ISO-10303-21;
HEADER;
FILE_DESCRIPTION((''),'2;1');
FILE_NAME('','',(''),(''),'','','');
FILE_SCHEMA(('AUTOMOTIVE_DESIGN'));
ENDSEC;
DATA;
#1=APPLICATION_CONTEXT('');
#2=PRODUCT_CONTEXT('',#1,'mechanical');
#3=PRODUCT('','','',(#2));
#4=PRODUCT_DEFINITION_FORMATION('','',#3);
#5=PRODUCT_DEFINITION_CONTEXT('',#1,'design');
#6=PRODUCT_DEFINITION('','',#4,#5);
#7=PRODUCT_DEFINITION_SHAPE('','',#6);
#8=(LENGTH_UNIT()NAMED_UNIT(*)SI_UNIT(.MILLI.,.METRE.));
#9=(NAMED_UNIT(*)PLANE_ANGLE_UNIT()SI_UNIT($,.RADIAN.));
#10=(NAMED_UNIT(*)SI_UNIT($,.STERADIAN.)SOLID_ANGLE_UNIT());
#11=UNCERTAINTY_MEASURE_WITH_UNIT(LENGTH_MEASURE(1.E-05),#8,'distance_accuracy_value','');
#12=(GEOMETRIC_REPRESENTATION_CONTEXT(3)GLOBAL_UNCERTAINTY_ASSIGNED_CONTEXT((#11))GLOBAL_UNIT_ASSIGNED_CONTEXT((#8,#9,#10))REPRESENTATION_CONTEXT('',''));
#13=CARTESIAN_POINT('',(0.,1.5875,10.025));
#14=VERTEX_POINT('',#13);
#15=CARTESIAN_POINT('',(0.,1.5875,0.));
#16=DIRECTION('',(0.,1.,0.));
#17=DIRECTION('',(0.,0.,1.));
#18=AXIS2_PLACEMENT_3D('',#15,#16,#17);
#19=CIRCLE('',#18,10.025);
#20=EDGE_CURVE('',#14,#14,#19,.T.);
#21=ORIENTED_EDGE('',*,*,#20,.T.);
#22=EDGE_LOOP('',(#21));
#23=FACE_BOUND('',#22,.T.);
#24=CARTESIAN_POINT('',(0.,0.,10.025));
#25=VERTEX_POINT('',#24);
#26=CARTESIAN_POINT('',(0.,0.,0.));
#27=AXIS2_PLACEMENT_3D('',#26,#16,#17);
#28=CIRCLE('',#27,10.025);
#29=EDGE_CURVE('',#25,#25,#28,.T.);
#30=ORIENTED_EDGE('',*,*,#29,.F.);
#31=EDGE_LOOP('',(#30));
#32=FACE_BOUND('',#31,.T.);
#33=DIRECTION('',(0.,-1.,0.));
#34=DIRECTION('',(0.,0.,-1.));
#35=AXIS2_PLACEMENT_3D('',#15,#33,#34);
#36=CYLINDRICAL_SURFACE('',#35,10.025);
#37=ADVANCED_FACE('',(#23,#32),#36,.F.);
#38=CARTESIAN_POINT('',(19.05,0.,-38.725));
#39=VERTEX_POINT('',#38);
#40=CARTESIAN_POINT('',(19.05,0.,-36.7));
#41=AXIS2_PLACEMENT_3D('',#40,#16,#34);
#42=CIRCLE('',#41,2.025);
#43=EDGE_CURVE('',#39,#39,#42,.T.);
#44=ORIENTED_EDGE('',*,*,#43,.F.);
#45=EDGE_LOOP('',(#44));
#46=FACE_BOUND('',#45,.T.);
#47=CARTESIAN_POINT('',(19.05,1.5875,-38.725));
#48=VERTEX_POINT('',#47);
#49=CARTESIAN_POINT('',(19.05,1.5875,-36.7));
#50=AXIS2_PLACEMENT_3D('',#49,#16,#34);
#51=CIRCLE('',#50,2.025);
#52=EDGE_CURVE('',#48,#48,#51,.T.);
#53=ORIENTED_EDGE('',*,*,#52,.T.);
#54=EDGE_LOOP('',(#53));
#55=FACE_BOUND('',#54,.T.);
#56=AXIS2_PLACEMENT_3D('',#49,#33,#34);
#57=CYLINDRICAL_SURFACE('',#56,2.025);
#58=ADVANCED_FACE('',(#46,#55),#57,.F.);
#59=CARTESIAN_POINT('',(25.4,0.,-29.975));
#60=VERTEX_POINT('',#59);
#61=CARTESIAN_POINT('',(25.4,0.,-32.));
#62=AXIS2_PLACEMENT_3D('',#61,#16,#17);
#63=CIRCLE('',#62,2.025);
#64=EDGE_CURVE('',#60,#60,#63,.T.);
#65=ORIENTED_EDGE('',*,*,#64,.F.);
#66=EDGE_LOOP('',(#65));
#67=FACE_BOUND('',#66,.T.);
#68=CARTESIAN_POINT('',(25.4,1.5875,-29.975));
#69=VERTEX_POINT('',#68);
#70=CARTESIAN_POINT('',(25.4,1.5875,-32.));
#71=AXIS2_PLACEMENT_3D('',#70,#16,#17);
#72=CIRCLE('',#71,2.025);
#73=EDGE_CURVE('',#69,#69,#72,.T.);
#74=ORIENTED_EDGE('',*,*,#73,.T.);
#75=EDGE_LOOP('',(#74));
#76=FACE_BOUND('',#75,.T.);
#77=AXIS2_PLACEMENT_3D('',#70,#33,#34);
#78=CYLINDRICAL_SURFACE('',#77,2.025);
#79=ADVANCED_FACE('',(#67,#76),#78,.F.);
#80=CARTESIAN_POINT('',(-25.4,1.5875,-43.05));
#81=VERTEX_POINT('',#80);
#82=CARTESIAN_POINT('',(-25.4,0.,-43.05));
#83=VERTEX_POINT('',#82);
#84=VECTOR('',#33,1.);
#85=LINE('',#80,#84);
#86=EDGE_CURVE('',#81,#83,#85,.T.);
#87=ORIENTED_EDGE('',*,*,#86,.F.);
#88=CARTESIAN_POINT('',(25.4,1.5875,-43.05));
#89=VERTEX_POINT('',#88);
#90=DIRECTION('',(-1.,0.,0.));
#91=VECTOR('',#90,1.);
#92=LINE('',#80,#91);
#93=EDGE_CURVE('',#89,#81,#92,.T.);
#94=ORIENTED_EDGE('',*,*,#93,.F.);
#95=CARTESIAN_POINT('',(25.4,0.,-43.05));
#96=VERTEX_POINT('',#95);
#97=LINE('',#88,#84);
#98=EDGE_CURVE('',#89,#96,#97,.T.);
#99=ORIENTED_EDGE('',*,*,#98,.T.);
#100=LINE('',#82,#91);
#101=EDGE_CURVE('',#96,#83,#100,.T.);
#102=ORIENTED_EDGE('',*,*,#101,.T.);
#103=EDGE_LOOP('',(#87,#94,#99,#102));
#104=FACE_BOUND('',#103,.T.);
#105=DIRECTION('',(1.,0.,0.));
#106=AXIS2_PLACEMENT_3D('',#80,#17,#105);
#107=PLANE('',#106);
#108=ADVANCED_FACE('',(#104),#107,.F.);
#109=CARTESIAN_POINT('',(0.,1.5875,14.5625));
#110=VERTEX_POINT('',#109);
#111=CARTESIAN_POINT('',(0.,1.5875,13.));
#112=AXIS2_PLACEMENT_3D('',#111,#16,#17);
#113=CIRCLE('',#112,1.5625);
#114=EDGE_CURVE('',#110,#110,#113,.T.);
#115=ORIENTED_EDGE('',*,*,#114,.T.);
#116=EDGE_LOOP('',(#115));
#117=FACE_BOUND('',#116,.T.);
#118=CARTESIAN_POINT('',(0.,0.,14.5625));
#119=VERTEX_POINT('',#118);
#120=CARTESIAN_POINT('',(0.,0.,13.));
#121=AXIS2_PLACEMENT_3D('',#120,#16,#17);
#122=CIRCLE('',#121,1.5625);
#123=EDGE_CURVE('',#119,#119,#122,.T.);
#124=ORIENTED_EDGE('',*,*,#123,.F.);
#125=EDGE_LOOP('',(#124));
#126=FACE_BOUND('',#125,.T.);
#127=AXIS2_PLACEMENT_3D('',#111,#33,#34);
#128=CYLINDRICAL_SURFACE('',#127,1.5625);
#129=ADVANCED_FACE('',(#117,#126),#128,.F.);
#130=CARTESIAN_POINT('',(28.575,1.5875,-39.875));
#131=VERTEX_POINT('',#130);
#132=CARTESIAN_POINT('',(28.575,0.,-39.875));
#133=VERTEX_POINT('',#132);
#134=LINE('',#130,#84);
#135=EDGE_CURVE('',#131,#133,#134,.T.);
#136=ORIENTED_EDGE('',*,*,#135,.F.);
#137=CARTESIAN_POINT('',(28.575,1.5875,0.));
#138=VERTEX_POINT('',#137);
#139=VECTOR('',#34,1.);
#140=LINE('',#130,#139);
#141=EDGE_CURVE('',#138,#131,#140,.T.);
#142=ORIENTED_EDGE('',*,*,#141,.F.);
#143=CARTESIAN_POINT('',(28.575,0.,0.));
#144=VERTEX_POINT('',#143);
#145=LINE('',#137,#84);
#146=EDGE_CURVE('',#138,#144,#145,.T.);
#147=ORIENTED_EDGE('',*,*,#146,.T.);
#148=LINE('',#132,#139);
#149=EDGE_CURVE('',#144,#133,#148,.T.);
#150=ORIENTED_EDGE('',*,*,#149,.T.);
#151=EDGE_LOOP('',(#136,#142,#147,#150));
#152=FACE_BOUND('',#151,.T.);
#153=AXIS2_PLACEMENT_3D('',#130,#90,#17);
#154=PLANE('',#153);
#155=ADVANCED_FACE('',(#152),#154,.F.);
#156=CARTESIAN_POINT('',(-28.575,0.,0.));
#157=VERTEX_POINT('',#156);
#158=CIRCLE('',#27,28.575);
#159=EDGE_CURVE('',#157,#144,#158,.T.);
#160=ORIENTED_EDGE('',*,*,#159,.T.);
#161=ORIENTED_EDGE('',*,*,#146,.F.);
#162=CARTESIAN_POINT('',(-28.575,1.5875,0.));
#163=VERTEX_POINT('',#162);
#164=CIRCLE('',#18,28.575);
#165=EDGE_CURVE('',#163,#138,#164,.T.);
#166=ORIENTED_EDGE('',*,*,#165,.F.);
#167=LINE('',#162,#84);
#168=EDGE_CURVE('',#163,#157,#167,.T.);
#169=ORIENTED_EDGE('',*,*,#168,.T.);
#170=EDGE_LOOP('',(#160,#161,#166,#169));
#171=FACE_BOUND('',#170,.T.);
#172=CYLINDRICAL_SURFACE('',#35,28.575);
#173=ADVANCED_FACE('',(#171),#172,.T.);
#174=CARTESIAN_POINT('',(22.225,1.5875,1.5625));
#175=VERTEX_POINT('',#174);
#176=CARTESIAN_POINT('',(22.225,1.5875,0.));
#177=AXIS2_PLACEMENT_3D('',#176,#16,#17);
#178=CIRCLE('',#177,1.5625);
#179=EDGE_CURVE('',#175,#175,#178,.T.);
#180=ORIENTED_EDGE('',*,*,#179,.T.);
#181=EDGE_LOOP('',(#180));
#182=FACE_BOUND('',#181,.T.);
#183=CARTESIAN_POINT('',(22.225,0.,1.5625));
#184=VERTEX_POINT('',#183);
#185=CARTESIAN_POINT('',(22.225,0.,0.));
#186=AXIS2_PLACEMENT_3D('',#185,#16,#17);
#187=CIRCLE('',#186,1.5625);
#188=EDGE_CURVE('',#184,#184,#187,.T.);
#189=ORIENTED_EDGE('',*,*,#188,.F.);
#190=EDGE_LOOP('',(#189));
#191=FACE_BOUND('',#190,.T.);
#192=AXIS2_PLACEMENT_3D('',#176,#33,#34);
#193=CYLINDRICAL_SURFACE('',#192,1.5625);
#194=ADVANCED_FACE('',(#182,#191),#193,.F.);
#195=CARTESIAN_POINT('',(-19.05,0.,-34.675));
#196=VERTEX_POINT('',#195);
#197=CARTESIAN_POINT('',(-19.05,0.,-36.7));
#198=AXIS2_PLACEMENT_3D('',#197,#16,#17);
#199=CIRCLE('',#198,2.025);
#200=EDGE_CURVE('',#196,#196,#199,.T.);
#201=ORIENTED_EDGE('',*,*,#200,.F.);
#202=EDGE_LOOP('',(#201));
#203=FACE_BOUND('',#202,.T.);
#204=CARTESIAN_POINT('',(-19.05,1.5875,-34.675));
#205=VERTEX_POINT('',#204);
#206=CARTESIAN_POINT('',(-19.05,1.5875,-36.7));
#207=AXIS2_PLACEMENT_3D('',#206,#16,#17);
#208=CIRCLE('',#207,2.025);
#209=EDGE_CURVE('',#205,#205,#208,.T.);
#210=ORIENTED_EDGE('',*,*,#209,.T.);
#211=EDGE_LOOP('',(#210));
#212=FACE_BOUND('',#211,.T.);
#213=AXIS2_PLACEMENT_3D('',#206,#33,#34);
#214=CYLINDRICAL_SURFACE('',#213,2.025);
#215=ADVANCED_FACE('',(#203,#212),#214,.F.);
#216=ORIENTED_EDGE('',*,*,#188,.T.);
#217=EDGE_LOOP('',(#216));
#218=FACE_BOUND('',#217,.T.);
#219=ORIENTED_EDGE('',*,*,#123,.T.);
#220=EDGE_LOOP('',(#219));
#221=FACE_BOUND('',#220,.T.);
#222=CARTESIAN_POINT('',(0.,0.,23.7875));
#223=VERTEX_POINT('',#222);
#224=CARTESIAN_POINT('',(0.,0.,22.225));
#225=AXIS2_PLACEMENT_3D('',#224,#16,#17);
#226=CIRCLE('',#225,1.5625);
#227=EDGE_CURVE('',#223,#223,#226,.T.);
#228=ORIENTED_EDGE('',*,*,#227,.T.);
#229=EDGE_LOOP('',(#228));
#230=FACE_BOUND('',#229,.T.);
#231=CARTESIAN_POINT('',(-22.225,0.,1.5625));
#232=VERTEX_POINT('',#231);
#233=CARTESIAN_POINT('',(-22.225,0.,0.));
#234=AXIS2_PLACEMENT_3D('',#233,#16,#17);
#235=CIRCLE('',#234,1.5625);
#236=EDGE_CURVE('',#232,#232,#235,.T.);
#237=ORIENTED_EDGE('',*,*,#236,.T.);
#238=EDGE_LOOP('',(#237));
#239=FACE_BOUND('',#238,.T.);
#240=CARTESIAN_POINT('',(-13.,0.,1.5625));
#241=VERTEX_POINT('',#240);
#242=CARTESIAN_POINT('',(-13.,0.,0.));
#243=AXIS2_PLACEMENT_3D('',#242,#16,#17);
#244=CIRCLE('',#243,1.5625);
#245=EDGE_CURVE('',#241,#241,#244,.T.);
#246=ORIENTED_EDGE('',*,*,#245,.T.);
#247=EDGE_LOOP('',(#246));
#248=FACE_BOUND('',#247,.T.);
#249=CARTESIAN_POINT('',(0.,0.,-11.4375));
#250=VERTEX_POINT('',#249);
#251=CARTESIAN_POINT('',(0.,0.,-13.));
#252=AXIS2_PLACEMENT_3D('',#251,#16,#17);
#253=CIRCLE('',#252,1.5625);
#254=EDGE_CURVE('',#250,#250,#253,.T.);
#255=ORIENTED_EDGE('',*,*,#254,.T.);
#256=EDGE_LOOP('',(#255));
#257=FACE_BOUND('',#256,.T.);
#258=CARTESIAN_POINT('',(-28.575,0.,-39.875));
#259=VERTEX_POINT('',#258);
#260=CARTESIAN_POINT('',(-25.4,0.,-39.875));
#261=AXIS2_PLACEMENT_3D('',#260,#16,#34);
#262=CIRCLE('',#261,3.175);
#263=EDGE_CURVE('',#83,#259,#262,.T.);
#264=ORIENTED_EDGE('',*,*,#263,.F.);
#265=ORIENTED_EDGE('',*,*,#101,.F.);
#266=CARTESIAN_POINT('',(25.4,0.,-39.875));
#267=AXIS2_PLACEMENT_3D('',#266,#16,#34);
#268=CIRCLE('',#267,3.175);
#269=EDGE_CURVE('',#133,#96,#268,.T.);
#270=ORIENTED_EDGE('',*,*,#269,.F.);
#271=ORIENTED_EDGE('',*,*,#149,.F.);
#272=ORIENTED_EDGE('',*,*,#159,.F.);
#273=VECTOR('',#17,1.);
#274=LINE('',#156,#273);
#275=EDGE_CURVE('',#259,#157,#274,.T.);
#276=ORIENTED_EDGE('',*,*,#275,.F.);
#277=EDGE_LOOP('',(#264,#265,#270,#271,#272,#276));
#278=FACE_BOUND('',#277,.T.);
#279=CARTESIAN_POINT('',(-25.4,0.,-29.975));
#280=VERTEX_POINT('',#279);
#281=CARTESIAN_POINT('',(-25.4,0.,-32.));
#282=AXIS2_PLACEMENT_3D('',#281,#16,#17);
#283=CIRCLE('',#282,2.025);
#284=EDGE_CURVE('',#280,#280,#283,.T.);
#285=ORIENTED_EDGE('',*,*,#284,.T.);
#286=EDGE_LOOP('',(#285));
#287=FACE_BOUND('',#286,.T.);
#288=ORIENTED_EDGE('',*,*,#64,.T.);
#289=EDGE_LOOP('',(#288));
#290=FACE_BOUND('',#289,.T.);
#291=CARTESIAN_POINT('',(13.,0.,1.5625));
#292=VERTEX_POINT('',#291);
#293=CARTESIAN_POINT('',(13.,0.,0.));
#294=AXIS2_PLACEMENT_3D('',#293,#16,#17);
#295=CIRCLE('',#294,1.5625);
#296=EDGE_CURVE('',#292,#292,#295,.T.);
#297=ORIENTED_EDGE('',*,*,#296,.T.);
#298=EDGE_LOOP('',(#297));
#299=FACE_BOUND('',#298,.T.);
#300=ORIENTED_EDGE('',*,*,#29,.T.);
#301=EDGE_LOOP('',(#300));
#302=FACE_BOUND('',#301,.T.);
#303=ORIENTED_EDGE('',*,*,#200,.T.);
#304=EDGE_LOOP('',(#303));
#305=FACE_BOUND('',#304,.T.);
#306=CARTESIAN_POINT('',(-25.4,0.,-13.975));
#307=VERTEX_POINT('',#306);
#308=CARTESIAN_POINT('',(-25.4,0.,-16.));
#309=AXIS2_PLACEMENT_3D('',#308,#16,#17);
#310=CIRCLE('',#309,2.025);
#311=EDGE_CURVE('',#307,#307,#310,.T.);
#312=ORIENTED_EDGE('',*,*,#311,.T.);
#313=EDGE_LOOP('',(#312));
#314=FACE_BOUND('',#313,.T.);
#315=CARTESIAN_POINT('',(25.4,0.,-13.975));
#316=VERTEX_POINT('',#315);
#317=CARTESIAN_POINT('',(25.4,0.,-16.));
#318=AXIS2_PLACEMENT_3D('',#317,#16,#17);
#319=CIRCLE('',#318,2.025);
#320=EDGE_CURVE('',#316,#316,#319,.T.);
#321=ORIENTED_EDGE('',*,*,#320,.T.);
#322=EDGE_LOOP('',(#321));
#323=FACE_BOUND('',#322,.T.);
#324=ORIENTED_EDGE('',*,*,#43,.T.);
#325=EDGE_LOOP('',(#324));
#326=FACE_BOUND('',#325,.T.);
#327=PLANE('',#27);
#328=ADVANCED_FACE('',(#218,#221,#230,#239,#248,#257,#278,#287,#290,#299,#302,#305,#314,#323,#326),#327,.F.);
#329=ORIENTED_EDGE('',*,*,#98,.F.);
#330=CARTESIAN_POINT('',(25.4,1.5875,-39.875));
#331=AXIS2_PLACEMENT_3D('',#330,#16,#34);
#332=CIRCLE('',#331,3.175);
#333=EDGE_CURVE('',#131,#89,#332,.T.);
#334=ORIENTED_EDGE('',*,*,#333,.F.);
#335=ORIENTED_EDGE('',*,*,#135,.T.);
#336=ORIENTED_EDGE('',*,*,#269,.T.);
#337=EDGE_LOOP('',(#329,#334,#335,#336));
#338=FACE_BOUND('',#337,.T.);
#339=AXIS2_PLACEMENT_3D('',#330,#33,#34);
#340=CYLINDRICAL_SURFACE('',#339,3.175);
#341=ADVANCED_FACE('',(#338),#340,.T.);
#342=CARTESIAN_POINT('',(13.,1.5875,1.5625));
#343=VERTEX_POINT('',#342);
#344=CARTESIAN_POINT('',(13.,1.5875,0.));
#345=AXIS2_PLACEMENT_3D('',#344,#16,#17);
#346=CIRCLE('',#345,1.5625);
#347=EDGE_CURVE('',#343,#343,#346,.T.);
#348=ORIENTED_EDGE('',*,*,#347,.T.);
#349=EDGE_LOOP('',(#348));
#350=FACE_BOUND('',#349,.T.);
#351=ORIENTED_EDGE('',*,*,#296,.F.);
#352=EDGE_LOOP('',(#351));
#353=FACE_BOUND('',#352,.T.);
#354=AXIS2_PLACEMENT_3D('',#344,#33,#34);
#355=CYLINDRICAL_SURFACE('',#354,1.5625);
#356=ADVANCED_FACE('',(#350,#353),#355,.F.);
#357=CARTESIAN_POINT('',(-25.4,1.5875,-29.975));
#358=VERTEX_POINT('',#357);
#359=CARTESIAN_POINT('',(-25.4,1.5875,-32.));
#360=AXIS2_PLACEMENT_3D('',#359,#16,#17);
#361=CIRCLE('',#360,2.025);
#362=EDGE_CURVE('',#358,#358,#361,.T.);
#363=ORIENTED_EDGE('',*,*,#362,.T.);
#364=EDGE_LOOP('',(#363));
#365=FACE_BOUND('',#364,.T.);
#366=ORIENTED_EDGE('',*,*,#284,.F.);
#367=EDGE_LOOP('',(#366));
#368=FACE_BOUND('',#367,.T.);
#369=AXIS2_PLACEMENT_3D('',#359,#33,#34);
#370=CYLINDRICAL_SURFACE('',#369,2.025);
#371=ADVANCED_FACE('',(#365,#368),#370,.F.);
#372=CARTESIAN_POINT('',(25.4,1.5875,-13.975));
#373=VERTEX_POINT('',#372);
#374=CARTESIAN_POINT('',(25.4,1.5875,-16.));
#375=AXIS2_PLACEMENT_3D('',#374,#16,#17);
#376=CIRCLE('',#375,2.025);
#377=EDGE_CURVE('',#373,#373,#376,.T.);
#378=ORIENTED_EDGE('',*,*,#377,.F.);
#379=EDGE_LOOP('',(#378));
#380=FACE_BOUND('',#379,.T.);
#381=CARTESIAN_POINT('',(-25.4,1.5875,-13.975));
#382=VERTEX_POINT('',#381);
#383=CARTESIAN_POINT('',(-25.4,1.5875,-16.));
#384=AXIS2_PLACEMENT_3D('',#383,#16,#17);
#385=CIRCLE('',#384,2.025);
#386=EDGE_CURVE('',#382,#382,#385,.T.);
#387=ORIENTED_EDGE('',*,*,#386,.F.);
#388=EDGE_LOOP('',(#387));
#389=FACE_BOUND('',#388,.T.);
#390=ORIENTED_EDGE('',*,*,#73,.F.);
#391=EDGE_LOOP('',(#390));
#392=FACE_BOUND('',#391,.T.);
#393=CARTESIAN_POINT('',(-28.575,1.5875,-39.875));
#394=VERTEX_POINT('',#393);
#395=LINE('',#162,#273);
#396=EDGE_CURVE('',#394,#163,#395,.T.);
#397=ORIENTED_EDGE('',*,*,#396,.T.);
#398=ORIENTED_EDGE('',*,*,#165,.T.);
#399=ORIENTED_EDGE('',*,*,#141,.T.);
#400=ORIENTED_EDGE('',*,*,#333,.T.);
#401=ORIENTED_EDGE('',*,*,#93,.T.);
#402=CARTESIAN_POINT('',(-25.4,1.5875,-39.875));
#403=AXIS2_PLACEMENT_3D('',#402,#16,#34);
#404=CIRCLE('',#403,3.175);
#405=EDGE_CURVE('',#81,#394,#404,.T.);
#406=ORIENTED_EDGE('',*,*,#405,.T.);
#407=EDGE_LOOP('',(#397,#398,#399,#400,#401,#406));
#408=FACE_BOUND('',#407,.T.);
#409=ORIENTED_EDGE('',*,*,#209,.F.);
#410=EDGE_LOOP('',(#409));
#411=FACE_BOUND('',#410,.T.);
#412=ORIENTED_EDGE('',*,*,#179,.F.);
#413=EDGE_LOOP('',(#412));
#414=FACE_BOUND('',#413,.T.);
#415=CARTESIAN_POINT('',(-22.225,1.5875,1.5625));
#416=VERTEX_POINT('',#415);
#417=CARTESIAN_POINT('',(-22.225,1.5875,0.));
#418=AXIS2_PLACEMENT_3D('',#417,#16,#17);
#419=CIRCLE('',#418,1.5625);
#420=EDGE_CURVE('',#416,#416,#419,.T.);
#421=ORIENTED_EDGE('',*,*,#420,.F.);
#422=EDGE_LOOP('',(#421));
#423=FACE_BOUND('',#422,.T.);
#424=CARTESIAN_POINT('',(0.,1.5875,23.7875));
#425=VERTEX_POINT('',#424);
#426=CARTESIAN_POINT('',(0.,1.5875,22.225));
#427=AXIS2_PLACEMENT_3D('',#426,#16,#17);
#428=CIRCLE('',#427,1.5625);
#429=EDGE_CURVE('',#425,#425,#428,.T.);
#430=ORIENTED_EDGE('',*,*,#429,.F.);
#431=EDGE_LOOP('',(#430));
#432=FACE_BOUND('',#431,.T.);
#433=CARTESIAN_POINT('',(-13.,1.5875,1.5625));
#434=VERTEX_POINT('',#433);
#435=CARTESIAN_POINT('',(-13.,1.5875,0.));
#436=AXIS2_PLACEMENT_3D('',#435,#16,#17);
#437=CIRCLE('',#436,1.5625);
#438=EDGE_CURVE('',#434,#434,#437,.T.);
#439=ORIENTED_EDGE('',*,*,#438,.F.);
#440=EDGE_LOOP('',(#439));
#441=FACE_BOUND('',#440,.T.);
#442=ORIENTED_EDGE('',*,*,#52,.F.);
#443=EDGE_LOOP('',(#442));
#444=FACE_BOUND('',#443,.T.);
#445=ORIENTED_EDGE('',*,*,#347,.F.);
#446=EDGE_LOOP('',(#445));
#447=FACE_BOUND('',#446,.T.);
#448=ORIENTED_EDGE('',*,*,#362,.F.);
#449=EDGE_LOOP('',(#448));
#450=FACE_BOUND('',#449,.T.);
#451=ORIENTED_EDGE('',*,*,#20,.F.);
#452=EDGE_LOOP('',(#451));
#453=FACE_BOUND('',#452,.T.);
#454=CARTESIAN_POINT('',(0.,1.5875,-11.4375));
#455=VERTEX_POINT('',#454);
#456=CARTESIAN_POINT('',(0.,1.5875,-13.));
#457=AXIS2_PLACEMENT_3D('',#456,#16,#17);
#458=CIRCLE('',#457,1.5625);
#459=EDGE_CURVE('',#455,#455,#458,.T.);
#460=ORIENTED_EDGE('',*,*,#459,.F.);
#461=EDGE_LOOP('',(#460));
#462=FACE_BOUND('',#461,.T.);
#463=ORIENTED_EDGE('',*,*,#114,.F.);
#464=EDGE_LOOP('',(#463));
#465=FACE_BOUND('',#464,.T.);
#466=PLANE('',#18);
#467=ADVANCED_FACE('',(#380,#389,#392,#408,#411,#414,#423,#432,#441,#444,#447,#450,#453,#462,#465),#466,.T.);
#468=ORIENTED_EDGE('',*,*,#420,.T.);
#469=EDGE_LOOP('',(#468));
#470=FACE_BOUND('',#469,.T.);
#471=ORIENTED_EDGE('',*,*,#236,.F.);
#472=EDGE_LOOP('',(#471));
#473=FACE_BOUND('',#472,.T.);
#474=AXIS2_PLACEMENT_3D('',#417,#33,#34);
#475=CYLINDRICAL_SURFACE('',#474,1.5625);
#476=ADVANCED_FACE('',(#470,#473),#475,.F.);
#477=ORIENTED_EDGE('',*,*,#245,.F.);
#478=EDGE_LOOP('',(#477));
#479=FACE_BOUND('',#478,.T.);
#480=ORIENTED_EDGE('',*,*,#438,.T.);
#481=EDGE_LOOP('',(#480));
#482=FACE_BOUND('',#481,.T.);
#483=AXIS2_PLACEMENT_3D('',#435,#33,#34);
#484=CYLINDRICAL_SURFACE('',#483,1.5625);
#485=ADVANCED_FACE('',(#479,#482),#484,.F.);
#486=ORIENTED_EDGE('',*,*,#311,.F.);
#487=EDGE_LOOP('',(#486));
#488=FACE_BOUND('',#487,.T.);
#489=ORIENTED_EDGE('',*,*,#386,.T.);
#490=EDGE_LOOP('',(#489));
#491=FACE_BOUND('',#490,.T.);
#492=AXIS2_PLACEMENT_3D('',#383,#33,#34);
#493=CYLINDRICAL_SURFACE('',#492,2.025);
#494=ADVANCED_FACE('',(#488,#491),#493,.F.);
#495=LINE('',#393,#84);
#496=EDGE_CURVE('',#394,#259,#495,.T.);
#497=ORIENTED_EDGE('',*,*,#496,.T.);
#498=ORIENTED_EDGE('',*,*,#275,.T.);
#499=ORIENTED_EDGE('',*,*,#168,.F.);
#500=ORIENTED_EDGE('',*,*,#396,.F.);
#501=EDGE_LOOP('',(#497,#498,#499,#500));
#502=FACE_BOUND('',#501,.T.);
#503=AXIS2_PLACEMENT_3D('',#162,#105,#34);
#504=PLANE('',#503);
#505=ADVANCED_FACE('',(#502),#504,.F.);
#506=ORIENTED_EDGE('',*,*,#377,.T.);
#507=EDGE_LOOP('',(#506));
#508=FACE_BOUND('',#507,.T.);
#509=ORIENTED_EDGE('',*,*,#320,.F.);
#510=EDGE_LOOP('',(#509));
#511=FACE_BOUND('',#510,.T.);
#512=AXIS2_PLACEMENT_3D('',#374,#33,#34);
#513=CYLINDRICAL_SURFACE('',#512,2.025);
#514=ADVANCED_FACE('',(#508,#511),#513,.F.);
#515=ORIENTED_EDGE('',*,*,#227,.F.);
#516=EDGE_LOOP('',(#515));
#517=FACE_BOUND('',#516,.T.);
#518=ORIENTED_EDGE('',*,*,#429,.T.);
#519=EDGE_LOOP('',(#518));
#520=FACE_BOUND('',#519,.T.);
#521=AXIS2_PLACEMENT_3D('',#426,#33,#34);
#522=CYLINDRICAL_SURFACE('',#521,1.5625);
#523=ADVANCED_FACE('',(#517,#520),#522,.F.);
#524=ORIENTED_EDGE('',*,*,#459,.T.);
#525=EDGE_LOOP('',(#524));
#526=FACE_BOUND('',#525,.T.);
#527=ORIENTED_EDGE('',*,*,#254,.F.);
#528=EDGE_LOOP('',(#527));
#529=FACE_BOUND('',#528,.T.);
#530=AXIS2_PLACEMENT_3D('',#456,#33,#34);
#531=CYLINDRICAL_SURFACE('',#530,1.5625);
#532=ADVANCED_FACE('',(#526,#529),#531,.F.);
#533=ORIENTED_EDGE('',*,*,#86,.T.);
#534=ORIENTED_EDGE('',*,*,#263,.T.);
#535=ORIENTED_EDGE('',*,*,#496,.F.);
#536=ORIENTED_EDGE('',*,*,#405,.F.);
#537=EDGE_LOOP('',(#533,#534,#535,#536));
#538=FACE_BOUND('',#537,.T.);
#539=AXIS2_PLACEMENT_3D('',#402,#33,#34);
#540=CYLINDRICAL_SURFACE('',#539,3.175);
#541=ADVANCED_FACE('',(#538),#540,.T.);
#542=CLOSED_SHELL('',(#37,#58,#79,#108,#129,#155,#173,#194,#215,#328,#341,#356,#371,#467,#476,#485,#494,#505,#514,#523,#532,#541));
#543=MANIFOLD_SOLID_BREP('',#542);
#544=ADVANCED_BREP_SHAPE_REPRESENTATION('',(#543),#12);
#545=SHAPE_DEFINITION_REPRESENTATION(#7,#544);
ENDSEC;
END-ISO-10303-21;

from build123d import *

# Parameters (mm, degrees)
SKETCH1_R           = 10.025
SKETCH1_R_2         = 1.5625
SKETCH1_R_3         = 2.025
BOSS_EXTRUDE1_DEPTH = 1.5875


with BuildPart() as part:
    # Sketch1 → Boss-Extrude1 (new body)
    with BuildSketch(Plane(origin=(0, 0, 0), x_dir=(1, 0, 0), z_dir=(0, 1, 0))):
        with BuildLine():
            Line((-28.575, 0), (-28.575, 39.875))
            ThreePointArc((-28.575, 39.875), (-27.64506403, 42.12006403), (-25.4, 43.05))
            Line((-25.4, 43.05), (25.4, 43.05))
            ThreePointArc((25.4, 43.05), (27.64506403, 42.12006403), (28.575, 39.875))
            Line((28.575, 39.875), (28.575, 0))
            ThreePointArc((28.575, 0), (0, -28.575), (-28.575, 0))
        make_face()
        Circle(SKETCH1_R, mode=Mode.SUBTRACT)
        with Locations((0, -13)):
            Circle(SKETCH1_R_2, mode=Mode.SUBTRACT)
        with Locations((-13, 0)):
            Circle(SKETCH1_R_2, mode=Mode.SUBTRACT)
        with Locations((0, 13)):
            Circle(SKETCH1_R_2, mode=Mode.SUBTRACT)
        with Locations((13, 0)):
            Circle(SKETCH1_R_2, mode=Mode.SUBTRACT)
        with Locations((-22.225, 0)):
            Circle(SKETCH1_R_2, mode=Mode.SUBTRACT)
        with Locations((0, -22.225)):
            Circle(SKETCH1_R_2, mode=Mode.SUBTRACT)
        with Locations((22.225, 0)):
            Circle(SKETCH1_R_2, mode=Mode.SUBTRACT)
        with Locations((-25.4, 16)):
            Circle(SKETCH1_R_3, mode=Mode.SUBTRACT)
        with Locations((25.4, 16)):
            Circle(SKETCH1_R_3, mode=Mode.SUBTRACT)
        with Locations((25.4, 32)):
            Circle(SKETCH1_R_3, mode=Mode.SUBTRACT)
        with Locations((-25.4, 32)):
            Circle(SKETCH1_R_3, mode=Mode.SUBTRACT)
        with Locations((-19.05, 36.7)):
            Circle(SKETCH1_R_3, mode=Mode.SUBTRACT)
        with Locations((19.05, 36.7)):
            Circle(SKETCH1_R_3, mode=Mode.SUBTRACT)
    extrude(amount=BOSS_EXTRUDE1_DEPTH)


solid = part.part
